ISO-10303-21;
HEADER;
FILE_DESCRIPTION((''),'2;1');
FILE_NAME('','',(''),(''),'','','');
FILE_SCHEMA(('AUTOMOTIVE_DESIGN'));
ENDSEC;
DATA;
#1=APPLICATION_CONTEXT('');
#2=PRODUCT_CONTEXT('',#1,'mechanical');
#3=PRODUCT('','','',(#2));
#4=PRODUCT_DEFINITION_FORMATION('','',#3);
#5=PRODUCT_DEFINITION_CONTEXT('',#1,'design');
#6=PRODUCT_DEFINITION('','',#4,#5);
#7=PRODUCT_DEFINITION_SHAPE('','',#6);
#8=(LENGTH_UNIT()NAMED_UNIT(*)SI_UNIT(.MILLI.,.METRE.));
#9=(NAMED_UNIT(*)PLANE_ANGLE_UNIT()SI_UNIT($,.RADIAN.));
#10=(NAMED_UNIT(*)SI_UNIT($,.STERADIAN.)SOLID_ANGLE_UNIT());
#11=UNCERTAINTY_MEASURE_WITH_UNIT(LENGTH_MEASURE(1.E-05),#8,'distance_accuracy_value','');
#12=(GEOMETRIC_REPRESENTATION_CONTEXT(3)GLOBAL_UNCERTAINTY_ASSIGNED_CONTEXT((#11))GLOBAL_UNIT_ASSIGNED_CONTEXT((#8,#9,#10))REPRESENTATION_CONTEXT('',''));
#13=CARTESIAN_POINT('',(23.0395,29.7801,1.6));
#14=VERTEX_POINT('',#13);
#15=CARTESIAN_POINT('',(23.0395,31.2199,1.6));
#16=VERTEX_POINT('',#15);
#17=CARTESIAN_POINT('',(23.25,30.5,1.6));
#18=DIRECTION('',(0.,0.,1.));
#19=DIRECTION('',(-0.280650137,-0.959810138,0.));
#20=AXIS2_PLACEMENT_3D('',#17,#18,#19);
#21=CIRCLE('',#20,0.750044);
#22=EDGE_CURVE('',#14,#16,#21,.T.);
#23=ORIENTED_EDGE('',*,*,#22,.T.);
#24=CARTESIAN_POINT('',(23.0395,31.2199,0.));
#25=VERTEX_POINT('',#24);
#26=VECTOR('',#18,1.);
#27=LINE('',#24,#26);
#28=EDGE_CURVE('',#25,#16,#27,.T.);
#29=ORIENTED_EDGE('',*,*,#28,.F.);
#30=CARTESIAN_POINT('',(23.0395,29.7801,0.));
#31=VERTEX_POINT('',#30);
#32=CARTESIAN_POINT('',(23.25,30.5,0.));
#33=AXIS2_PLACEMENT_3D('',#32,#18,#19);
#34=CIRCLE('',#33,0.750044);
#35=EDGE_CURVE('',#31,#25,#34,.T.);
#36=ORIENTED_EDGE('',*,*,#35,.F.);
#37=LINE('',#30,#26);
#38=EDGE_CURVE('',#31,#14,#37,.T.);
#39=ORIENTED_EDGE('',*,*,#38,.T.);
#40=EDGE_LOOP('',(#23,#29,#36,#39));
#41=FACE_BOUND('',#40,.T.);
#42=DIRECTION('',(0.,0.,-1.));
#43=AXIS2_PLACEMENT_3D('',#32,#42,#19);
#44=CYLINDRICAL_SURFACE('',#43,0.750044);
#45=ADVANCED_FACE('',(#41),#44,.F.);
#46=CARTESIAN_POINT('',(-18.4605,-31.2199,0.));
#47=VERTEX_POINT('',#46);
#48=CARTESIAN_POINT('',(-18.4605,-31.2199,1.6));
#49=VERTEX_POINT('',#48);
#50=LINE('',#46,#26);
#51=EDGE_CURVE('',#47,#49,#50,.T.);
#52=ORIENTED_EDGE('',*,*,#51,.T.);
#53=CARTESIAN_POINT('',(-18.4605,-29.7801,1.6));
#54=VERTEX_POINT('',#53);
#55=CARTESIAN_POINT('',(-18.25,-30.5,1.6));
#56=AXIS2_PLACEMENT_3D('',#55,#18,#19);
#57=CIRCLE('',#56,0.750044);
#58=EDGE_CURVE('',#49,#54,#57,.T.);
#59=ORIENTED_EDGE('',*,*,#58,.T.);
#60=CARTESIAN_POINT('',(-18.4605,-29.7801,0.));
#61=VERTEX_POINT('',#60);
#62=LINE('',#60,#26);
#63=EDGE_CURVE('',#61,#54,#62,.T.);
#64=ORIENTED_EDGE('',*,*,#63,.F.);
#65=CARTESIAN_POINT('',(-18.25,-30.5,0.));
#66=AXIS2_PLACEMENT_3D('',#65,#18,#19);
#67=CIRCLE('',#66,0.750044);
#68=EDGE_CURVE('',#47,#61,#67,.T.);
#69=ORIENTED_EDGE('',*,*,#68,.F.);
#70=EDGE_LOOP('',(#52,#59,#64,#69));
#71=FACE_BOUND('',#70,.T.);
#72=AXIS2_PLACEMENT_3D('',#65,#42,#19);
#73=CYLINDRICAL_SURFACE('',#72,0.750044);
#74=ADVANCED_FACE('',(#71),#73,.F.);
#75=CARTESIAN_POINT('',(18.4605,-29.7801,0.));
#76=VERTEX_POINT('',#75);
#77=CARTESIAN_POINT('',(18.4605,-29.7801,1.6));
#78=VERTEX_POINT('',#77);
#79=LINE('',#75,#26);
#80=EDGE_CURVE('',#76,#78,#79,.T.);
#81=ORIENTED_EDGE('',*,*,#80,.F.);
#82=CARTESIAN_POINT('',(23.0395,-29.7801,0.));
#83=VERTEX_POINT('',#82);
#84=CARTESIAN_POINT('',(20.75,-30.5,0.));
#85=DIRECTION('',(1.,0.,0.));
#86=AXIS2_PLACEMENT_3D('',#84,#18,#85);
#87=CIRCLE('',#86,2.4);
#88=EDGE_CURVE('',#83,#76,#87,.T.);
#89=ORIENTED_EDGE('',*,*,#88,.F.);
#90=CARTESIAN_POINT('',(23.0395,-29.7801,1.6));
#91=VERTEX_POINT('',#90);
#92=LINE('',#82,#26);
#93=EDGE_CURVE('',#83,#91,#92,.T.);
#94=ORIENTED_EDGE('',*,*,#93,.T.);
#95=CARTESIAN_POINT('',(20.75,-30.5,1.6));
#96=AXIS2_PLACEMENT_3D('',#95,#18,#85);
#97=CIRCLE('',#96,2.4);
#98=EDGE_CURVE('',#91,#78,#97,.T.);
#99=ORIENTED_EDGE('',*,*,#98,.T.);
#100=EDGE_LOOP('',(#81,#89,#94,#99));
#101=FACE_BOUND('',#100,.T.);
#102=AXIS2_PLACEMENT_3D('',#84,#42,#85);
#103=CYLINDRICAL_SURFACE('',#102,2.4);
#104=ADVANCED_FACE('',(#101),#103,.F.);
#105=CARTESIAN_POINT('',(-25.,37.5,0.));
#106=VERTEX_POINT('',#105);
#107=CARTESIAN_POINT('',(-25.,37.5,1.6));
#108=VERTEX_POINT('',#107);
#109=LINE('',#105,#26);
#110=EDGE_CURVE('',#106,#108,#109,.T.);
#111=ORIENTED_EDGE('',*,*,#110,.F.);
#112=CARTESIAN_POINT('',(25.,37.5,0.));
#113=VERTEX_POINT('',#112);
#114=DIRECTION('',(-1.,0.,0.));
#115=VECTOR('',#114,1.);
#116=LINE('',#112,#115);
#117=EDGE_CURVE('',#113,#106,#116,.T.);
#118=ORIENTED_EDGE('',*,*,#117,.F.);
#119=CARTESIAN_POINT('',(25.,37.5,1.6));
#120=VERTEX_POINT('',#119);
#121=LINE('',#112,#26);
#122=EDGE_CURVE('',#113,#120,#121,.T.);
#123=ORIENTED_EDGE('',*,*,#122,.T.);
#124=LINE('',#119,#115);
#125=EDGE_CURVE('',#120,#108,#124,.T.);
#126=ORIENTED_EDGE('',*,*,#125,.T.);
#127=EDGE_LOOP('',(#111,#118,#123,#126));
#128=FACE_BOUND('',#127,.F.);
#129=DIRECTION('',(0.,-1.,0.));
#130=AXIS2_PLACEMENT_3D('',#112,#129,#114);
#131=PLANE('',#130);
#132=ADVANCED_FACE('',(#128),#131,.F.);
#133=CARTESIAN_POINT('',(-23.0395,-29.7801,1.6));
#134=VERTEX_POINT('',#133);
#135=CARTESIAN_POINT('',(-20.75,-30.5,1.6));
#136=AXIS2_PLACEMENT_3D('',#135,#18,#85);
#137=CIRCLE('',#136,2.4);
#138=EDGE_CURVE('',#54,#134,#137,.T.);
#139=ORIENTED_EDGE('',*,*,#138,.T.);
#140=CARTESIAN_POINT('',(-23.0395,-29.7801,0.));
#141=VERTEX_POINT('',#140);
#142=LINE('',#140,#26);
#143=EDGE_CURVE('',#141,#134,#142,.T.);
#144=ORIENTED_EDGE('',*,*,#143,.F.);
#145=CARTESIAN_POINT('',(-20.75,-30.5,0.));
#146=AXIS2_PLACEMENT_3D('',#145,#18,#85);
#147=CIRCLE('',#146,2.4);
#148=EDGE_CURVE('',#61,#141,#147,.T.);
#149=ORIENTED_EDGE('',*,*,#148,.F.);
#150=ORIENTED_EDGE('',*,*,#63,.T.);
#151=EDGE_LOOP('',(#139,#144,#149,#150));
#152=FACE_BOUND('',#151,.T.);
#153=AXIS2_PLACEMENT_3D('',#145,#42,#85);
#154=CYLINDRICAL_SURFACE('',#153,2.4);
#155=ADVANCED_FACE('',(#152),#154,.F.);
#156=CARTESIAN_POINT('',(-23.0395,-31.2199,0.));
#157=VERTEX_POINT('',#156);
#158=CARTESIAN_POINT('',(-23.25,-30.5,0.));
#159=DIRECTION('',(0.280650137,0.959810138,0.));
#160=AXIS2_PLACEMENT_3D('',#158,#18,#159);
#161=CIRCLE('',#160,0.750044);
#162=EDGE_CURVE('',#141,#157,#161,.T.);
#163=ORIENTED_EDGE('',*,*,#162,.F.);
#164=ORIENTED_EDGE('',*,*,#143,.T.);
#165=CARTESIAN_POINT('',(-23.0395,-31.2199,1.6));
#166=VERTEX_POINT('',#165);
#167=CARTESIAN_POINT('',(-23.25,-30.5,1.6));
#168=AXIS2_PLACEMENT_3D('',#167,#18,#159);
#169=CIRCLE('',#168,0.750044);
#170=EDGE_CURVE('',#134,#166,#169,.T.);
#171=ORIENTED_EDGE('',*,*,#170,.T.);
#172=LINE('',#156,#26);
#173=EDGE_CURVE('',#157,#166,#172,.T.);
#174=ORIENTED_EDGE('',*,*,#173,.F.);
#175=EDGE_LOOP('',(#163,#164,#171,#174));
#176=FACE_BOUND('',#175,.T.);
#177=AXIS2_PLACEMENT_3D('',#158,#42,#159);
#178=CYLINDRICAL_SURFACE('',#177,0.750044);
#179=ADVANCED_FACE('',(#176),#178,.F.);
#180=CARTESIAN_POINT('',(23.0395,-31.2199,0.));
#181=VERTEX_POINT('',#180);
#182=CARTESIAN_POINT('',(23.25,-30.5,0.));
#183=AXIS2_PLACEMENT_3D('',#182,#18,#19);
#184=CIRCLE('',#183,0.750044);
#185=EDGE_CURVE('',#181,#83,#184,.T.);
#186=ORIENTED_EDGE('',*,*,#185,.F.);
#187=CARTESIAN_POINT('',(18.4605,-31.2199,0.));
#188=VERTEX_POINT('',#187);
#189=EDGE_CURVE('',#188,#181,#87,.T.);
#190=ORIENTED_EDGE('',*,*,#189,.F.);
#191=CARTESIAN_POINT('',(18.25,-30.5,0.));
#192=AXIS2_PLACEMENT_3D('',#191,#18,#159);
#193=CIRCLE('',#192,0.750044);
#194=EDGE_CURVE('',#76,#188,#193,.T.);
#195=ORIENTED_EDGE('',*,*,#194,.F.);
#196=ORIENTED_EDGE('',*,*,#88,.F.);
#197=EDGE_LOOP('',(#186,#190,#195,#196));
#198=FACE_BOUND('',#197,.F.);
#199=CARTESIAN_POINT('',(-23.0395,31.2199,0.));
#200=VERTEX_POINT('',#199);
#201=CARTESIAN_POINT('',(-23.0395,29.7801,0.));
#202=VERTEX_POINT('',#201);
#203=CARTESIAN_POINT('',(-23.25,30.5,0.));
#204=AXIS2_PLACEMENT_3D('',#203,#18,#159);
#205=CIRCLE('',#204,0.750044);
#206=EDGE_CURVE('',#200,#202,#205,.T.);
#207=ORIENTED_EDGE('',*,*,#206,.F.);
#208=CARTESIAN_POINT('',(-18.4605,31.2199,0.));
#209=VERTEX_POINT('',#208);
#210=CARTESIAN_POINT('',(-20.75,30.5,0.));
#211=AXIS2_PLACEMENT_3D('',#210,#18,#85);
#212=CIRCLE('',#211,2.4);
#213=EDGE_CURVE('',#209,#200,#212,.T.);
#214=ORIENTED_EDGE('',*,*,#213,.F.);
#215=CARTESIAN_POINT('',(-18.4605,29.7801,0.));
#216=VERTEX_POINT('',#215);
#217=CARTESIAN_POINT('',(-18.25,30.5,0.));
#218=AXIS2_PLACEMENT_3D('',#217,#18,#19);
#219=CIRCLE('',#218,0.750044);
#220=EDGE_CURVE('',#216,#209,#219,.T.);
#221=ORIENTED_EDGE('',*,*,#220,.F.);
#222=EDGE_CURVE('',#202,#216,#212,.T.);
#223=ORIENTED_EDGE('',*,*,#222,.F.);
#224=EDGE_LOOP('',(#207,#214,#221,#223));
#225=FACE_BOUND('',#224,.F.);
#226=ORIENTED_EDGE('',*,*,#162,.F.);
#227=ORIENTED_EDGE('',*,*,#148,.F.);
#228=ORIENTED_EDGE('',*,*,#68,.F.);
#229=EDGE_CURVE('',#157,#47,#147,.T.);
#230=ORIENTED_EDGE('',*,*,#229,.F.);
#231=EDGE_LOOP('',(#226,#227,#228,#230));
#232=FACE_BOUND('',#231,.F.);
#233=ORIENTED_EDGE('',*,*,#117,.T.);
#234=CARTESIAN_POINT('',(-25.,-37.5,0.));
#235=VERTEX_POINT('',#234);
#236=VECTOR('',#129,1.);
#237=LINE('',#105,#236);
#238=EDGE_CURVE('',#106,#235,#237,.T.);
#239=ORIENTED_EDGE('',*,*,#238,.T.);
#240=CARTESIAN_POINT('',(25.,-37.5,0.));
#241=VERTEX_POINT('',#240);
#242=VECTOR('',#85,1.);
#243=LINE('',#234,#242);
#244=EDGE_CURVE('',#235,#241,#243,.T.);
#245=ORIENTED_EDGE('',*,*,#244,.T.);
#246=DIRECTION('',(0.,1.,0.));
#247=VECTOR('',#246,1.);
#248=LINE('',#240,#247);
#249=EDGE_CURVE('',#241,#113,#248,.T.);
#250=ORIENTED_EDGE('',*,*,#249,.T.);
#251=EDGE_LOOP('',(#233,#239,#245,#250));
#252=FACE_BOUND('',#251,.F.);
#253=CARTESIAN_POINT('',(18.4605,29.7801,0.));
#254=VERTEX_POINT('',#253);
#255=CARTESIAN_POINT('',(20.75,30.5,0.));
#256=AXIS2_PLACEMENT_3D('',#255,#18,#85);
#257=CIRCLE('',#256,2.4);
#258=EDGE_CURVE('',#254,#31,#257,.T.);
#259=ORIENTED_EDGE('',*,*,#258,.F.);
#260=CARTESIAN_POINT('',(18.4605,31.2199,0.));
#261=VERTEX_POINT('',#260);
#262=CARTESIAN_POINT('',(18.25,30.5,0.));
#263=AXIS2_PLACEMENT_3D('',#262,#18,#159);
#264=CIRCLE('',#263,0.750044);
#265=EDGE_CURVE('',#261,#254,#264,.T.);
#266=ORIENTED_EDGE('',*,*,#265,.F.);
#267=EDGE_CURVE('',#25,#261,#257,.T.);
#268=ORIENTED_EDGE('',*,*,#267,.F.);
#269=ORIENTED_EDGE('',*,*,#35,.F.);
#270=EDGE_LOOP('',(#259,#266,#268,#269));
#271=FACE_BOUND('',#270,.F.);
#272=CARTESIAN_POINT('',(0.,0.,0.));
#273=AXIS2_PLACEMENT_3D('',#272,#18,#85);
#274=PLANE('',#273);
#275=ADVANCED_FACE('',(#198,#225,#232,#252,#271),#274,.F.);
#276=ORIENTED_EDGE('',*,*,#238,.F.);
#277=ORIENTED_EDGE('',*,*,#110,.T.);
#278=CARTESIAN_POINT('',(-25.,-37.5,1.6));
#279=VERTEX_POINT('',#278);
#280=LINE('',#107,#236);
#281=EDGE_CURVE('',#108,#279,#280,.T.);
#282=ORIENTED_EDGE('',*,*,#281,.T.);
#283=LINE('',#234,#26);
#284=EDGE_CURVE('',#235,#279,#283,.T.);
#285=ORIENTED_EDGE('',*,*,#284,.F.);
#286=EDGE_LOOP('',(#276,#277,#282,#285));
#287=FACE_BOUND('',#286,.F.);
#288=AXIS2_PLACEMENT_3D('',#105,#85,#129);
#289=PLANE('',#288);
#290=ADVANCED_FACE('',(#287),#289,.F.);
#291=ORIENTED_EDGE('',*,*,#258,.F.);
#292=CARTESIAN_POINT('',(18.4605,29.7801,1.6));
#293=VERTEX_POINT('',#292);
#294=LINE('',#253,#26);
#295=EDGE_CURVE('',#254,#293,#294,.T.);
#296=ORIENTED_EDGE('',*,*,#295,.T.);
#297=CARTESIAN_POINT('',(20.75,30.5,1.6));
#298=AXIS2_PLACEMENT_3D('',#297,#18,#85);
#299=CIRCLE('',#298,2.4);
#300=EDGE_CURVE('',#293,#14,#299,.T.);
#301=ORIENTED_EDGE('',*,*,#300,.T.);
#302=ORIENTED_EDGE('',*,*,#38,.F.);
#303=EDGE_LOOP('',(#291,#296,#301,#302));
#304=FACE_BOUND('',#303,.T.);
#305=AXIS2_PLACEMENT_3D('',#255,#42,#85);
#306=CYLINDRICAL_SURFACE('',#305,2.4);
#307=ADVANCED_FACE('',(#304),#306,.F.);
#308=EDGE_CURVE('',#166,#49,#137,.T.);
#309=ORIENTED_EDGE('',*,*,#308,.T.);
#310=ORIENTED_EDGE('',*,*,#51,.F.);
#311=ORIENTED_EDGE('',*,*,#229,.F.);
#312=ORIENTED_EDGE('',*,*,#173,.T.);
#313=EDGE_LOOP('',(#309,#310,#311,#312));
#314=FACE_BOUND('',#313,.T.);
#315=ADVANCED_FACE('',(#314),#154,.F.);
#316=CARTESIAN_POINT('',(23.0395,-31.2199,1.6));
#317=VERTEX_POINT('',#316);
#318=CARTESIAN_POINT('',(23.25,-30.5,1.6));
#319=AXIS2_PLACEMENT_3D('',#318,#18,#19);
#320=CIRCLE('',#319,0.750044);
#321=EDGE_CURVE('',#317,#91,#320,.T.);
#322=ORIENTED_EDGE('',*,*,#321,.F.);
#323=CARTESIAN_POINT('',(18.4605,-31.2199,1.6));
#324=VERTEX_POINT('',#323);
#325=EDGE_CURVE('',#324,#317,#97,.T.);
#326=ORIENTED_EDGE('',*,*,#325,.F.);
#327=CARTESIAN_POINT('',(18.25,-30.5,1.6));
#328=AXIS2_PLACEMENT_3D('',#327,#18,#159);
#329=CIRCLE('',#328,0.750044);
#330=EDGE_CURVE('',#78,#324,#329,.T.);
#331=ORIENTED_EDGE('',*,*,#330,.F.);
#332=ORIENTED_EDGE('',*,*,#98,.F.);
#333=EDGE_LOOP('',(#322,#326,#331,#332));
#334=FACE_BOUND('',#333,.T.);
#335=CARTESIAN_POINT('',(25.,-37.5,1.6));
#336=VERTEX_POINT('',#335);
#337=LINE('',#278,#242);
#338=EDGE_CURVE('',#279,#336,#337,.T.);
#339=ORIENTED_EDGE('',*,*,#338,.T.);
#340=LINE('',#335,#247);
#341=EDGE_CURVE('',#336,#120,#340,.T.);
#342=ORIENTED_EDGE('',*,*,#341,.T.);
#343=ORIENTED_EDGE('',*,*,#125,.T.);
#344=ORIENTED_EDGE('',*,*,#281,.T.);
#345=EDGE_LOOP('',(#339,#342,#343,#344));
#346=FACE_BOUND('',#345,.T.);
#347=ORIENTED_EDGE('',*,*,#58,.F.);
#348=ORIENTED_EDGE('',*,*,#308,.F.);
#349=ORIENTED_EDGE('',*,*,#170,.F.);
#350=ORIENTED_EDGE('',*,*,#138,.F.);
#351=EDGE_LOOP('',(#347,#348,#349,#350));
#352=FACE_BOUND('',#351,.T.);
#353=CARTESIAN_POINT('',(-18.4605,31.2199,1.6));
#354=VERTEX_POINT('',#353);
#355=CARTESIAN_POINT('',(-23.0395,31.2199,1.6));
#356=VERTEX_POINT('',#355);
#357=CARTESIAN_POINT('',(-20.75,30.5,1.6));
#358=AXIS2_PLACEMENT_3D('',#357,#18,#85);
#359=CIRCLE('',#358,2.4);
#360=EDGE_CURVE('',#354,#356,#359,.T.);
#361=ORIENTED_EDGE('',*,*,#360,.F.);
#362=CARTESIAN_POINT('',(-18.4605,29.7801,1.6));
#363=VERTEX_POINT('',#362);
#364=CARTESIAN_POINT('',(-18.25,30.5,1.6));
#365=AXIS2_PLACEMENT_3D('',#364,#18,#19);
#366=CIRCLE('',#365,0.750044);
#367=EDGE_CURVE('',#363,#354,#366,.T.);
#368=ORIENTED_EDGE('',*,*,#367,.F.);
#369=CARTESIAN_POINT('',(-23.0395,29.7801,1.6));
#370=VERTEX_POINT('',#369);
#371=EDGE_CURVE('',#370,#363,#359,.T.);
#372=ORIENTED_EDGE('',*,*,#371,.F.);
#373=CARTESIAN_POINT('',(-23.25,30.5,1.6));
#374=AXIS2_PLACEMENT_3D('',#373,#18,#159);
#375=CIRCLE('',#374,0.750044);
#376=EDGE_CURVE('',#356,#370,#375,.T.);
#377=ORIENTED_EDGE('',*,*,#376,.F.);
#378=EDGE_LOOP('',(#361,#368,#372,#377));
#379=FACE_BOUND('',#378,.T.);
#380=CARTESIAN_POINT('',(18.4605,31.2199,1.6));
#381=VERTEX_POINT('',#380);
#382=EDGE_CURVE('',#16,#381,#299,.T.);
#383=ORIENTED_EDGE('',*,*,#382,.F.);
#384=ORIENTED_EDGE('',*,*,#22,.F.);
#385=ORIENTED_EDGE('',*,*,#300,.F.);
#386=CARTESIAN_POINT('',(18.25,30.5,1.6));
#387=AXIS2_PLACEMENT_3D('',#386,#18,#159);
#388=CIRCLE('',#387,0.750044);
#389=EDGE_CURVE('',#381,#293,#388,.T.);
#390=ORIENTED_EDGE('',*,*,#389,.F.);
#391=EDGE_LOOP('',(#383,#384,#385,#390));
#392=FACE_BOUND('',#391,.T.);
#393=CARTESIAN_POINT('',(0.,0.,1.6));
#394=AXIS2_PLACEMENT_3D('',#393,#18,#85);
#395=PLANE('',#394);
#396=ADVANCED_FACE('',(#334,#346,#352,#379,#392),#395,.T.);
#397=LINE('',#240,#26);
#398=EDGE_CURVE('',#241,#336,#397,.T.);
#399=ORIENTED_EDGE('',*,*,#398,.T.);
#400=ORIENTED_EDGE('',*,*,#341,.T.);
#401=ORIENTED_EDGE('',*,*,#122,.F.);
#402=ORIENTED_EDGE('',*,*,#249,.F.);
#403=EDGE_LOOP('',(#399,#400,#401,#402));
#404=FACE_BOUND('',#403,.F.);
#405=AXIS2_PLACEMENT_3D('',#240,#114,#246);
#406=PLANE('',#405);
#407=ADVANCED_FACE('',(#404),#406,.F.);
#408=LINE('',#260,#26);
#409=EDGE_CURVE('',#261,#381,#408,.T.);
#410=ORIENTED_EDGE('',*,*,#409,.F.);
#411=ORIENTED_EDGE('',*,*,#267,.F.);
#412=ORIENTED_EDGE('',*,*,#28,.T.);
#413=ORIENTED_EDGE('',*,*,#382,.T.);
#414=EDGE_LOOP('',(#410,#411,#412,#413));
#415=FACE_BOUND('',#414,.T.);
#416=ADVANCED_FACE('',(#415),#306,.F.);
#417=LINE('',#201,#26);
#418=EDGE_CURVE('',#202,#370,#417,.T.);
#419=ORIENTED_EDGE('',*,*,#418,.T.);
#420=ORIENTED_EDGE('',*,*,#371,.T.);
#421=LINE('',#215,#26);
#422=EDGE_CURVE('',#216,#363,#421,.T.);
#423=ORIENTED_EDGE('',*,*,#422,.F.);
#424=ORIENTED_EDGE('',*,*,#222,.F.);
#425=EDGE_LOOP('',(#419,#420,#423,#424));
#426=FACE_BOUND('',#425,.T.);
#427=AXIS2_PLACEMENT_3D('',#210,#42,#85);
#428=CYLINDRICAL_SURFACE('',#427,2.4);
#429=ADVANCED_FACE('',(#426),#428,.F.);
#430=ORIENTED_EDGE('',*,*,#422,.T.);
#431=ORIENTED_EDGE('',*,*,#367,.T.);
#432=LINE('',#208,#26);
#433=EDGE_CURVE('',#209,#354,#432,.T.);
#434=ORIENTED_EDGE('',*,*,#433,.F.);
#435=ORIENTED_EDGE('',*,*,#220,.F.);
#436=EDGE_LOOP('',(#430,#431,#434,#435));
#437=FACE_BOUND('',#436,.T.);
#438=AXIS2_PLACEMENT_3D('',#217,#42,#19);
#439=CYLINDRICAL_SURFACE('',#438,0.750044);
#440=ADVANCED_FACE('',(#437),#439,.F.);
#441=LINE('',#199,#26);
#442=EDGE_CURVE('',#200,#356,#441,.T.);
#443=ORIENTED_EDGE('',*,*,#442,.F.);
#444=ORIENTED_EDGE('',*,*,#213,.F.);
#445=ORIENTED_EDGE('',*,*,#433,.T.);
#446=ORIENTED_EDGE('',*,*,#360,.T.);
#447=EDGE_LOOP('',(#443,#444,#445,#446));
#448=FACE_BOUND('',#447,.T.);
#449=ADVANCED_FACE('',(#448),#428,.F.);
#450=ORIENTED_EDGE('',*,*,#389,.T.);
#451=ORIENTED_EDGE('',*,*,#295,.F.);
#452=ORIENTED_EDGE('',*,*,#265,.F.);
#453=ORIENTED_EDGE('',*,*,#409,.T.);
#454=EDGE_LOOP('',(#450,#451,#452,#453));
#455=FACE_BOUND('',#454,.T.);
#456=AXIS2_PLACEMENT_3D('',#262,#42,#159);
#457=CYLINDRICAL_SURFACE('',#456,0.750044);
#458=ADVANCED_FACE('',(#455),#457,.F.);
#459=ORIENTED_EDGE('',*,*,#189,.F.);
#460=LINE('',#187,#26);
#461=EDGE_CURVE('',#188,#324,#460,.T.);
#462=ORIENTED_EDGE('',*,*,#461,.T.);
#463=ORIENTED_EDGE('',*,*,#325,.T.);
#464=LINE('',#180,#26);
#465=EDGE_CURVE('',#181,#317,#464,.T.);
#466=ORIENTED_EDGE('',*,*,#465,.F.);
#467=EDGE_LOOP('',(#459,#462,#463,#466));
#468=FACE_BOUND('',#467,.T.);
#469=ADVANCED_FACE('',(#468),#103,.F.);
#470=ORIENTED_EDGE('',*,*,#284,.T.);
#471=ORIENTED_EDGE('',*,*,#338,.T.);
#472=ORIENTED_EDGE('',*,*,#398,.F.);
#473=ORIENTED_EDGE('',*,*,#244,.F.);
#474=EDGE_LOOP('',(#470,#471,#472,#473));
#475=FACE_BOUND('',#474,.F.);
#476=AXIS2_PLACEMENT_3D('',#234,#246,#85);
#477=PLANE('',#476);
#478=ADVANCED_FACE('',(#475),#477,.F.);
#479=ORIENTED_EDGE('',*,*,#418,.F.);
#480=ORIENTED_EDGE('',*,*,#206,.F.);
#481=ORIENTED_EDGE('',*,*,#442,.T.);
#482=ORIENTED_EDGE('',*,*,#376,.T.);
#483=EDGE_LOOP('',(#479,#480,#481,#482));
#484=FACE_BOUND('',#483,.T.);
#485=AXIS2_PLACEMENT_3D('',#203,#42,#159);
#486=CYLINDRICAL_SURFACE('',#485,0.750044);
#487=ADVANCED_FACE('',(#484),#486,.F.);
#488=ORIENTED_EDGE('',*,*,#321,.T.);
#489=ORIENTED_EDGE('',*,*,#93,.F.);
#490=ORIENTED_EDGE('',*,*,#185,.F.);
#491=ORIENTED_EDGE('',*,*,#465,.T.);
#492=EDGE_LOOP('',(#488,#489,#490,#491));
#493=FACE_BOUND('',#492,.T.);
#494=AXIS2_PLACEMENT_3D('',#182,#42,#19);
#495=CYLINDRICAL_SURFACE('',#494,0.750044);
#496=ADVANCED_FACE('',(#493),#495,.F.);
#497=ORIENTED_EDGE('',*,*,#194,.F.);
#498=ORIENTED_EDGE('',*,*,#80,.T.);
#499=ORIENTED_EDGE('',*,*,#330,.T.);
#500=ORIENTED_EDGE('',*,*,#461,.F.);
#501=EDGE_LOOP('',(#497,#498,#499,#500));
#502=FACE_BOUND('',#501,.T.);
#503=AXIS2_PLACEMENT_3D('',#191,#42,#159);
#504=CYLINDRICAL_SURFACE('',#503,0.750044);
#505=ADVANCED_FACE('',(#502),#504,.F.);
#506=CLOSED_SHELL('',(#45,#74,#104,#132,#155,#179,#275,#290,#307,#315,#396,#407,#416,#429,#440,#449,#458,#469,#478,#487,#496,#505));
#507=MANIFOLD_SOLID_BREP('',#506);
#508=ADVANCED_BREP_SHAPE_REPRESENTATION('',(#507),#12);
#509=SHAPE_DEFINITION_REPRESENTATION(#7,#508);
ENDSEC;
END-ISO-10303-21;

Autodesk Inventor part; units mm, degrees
ref_plane "YZ Plane" through (0, 0, 0) normal (1, 0, 0) x (0, 1, 0)
ref_plane "XZ Plane" through (0, 0, 0) normal (0, 1, 0) x (-1, 0, 0)
ref_plane "XY Plane" through (0, 0, 0) normal (0, 0, 1) x (1, 0, 0)
sketch "Sketch1" plane through (0, 0, 0) normal (0, 0, 1) x (1, 0, 0)
  line L0 (25, 37.5) -> (-25, 37.5)
  line L1 (-25, 37.5) -> (-25, -37.5)
  line L2 (-25, -37.5) -> (25, -37.5)
  line L3 (25, -37.5) -> (25, 37.5)
  line L4 (25, 37.5) -> (-25, -37.5) construction
  line L5 (-25, 37.5) -> (25, -37.5) construction
  line L6 (-20.75, -30.5) -> (20.75, -30.5) construction
  line L7 (20.75, -30.5) -> (20.75, 30.5) construction
  line L8 (20.75, 30.5) -> (-20.75, 30.5) construction
  line L9 (-20.75, 30.5) -> (-20.75, -30.5) construction
  line L10 (-20.75, -30.5) -> (20.75, 30.5) construction
  line L11 (20.75, -30.5) -> (-20.75, 30.5) construction
  circle A0 centre (20.75, 30.5) radius 2.4
  arc A1 (23.0395, 29.7801) -> (23.0395, 31.2199) centre (23.25, 30.5) ccw
  line L12 (0, 37.5) -> (0, -37.5) construction
  line L13 (25, 0) -> (-25, 0) construction
  circle A2 centre (20.75, -30.5) radius 2.4
  arc A3 (23.0395, -31.2199) -> (23.0395, -29.7801) centre (23.25, -30.5) ccw
  line L14 (0, -37.5) -> (0, 37.5) construction
  circle A4 centre (-20.75, 30.5) radius 2.4
  arc A5 (-23.0395, 31.2199) -> (-23.0395, 29.7801) centre (-23.25, 30.5) ccw
  circle A6 centre (-20.75, -30.5) radius 2.4
  arc A7 (-23.0395, -29.7801) -> (-23.0395, -31.2199) centre (-23.25, -30.5) ccw
  arc A8 (18.4605, 31.2199) -> (18.4605, 29.7801) centre (18.25, 30.5) ccw
  arc A9 (18.4605, -29.7801) -> (18.4605, -31.2199) centre (18.25, -30.5) ccw
  arc A10 (-18.4605, 29.7801) -> (-18.4605, 31.2199) centre (-18.25, 30.5) ccw
  arc A11 (-18.4605, -31.2199) -> (-18.4605, -29.7801) centre (-18.25, -30.5) ccw
  point P0 (0, 0)
  point P1 (24, 30.5)
  point P2 (17.5, 30.5)
  point P3 (18.4605, 29.7801)
  point P4 (18.4605, 31.2199)
  point P5 (18.4605, -31.2199)
  point P6 (18.4605, -29.7801)
  point P7 (-18.4605, -29.7801)
  point P8 (-18.4605, -31.2199)
  point P9 (-18.4605, 31.2199)
  point P10 (-18.4605, 29.7801)
  dimension "d0" = 50
  dimension "d1" = 75
  dimension "d2" = 4.8
  dimension "d4" = 1.5
  dimension "d6" = 14
  dimension "d9" = 61
  dimension "d10" = 41.5
  dimension "d11" = 6.5
  dimension "d12" = 1
extrude "Extrusion1" add sketch "Sketch1" along normal blind 1.6
properties part number "SUSTAINA-POWER-INPUT-BORAD" material "CFRP"
